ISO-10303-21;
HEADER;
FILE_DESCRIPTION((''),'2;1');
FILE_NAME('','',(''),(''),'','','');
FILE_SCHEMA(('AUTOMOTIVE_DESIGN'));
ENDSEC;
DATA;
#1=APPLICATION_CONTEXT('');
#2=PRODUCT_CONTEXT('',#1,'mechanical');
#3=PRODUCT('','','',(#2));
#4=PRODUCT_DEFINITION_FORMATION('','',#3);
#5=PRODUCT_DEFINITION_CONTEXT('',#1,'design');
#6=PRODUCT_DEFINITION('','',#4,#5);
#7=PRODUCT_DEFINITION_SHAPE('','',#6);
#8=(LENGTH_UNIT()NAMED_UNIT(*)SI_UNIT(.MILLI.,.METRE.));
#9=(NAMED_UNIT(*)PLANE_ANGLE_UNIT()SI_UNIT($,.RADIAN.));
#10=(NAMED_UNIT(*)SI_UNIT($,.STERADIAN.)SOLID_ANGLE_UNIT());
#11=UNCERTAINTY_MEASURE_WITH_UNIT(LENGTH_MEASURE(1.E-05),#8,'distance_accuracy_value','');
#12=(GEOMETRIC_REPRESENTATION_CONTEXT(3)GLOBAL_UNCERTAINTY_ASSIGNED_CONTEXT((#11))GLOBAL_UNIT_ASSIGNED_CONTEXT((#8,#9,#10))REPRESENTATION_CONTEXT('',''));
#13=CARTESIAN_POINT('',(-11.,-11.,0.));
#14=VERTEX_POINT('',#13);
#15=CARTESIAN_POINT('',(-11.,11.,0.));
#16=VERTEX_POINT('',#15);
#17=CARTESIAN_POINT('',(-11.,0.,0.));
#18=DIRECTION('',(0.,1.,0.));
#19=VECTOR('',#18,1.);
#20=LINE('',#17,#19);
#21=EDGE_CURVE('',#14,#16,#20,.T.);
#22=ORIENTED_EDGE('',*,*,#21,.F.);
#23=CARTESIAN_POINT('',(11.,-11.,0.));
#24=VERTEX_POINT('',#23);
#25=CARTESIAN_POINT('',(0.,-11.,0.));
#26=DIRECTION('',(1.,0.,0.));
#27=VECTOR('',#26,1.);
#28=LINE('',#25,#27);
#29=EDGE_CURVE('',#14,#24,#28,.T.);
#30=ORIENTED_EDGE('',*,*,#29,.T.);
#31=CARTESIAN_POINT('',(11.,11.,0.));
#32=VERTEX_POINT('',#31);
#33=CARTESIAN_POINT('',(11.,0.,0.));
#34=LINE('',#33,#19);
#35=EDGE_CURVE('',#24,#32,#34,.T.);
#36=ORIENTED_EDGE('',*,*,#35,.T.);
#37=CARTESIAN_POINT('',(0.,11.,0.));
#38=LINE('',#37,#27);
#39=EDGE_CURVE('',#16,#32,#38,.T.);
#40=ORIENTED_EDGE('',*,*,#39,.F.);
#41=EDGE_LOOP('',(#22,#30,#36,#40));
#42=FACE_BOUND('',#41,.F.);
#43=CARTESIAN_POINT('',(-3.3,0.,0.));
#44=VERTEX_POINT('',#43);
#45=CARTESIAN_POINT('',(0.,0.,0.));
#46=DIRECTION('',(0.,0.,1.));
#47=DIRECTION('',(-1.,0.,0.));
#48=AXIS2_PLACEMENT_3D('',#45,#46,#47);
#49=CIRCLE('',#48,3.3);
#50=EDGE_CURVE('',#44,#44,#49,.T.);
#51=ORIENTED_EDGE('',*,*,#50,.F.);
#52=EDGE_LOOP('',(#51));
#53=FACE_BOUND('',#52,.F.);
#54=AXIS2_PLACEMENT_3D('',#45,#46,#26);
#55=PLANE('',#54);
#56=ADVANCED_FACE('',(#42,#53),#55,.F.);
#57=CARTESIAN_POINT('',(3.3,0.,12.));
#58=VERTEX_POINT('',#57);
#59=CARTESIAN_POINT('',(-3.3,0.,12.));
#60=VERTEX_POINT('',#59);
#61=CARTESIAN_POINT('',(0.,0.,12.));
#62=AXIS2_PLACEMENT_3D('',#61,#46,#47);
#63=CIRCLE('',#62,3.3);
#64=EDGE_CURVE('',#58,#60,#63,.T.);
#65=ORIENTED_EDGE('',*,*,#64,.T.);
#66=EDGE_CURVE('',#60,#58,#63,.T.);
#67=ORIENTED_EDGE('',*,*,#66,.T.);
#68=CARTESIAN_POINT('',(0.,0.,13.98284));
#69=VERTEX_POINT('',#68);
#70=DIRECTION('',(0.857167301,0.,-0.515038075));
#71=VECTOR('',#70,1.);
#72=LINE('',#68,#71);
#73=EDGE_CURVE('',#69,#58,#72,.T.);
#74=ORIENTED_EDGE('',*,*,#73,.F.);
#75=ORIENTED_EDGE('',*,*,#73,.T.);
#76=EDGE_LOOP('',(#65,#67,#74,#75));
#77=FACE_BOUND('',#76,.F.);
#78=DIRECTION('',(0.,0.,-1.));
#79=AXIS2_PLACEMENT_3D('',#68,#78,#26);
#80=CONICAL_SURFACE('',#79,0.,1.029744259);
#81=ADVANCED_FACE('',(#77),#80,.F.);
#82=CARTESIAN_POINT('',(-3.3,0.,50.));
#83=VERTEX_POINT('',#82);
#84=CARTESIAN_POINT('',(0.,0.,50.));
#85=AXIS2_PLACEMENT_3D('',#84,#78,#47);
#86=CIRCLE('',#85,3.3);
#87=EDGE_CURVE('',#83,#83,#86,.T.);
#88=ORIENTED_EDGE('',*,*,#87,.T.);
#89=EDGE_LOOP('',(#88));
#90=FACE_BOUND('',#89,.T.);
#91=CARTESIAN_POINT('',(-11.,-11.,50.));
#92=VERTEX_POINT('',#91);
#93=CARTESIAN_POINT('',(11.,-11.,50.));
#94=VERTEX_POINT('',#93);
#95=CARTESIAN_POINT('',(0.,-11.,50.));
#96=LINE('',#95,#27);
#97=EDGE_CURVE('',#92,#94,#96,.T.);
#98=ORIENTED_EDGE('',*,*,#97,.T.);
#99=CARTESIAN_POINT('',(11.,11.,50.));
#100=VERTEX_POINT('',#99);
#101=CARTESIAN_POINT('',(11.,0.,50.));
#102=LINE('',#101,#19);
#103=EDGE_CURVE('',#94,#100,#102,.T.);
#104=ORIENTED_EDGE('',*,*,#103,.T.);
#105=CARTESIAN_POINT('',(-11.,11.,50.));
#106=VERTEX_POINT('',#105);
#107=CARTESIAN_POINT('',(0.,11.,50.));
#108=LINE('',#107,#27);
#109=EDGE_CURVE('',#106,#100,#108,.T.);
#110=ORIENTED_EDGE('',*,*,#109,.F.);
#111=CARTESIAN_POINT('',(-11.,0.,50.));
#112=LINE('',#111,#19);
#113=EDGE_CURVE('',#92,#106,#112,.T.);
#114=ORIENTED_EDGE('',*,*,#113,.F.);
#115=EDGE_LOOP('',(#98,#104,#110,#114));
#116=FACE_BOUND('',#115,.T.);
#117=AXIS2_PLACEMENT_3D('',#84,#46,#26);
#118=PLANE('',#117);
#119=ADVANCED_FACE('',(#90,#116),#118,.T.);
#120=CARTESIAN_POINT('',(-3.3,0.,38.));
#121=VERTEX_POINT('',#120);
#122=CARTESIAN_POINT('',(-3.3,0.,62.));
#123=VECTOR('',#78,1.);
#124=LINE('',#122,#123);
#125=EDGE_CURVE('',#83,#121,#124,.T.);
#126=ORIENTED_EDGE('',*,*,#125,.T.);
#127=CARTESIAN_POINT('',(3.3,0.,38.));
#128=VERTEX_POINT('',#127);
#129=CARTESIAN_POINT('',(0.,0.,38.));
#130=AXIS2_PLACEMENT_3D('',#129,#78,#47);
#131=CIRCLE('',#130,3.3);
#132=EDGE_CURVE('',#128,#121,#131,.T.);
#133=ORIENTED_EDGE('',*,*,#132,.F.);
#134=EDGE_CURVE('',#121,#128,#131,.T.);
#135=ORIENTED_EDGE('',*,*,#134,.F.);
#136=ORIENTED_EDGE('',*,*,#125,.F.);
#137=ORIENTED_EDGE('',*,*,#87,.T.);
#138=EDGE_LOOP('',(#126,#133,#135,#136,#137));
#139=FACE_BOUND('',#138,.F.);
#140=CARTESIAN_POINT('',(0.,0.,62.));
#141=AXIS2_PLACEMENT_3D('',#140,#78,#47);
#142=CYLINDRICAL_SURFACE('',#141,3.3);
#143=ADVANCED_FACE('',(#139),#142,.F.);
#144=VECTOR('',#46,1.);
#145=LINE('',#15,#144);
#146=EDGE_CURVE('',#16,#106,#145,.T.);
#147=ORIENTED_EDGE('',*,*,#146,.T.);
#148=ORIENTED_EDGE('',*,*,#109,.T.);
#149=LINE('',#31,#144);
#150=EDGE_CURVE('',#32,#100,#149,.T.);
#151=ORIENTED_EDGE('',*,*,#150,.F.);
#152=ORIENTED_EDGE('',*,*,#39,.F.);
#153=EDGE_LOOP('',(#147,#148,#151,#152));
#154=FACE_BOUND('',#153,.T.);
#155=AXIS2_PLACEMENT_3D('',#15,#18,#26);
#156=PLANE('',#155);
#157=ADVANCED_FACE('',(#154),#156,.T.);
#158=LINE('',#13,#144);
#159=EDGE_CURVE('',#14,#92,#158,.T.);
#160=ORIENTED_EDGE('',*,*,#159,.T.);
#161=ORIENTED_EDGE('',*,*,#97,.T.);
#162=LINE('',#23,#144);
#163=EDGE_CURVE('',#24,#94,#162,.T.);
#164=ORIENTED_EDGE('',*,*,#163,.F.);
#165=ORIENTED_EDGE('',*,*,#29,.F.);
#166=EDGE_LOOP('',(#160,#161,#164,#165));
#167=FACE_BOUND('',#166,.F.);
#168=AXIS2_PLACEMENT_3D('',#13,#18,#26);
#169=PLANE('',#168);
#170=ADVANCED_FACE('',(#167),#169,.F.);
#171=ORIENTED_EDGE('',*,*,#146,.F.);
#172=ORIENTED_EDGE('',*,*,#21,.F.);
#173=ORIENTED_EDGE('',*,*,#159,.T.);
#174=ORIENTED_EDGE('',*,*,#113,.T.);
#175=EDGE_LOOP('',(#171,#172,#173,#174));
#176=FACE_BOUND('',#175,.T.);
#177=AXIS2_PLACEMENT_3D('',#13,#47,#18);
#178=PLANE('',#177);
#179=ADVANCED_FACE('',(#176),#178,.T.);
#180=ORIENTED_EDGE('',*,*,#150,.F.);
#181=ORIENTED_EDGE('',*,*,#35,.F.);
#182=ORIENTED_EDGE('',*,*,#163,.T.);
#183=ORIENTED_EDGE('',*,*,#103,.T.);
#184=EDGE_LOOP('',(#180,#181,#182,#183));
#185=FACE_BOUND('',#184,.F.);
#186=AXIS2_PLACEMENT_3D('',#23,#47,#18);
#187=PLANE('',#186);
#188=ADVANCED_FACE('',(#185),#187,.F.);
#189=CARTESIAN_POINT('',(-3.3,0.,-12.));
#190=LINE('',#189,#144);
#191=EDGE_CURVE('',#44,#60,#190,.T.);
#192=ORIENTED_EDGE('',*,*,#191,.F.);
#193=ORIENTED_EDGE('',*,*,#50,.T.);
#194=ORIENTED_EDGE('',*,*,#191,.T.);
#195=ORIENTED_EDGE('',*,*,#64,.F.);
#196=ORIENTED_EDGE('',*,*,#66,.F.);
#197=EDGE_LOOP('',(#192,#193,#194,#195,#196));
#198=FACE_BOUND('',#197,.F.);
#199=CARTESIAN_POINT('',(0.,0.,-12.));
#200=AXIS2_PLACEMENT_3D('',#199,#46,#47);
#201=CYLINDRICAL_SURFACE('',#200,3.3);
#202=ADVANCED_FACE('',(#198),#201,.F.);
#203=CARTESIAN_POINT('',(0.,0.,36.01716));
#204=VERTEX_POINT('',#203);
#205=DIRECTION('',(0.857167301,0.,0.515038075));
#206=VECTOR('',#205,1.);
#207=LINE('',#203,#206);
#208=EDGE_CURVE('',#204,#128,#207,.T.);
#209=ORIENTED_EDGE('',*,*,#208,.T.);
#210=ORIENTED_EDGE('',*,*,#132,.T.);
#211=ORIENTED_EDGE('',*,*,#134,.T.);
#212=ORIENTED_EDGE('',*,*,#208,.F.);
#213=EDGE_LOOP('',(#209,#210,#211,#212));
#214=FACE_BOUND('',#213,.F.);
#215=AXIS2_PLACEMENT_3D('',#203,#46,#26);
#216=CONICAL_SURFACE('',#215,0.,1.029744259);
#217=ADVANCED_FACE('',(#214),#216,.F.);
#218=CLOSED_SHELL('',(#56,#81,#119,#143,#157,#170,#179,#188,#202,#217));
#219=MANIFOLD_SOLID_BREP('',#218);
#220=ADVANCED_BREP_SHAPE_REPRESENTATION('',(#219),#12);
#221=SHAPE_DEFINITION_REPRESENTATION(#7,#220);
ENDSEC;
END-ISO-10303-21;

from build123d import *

# Parameters (mm, degrees)
F0_W     = 22
F0_H     = 22
F1_DEPTH = 50
F3_D     = 6.6
F3_DEPTH = 12
F3_TIP   = 1.9828400428
F5_D     = 6.6
F5_DEPTH = 12
F5_TIP   = 1.9828400428


with BuildPart() as f1:
    # F0 (on Top) → F1 (new body)
    with BuildSketch(Plane.XY):
        Rectangle(F0_W, F0_H)
    extrude(amount=F1_DEPTH)

    # F3
    with Locations(Plane.XY.offset(50)):
        with Locations((0, 0)):
            Hole(F3_D / 2, depth=F3_DEPTH)
            with Locations((0, 0, -(F3_DEPTH + F3_TIP / 2))):  # 118° drill point
                Cone(0, F3_D / 2, F3_TIP, mode=Mode.SUBTRACT)

    # F5
    with Locations(Plane(origin=(0, 0, 0), x_dir=(1, 0, 0), z_dir=(0, 0, -1))):
        with Locations((0, 0)):
            Hole(F5_D / 2, depth=F5_DEPTH)
            with Locations((0, 0, -(F5_DEPTH + F5_TIP / 2))):  # 118° drill point
                Cone(0, F5_D / 2, F5_TIP, mode=Mode.SUBTRACT)


solid = f1.part
